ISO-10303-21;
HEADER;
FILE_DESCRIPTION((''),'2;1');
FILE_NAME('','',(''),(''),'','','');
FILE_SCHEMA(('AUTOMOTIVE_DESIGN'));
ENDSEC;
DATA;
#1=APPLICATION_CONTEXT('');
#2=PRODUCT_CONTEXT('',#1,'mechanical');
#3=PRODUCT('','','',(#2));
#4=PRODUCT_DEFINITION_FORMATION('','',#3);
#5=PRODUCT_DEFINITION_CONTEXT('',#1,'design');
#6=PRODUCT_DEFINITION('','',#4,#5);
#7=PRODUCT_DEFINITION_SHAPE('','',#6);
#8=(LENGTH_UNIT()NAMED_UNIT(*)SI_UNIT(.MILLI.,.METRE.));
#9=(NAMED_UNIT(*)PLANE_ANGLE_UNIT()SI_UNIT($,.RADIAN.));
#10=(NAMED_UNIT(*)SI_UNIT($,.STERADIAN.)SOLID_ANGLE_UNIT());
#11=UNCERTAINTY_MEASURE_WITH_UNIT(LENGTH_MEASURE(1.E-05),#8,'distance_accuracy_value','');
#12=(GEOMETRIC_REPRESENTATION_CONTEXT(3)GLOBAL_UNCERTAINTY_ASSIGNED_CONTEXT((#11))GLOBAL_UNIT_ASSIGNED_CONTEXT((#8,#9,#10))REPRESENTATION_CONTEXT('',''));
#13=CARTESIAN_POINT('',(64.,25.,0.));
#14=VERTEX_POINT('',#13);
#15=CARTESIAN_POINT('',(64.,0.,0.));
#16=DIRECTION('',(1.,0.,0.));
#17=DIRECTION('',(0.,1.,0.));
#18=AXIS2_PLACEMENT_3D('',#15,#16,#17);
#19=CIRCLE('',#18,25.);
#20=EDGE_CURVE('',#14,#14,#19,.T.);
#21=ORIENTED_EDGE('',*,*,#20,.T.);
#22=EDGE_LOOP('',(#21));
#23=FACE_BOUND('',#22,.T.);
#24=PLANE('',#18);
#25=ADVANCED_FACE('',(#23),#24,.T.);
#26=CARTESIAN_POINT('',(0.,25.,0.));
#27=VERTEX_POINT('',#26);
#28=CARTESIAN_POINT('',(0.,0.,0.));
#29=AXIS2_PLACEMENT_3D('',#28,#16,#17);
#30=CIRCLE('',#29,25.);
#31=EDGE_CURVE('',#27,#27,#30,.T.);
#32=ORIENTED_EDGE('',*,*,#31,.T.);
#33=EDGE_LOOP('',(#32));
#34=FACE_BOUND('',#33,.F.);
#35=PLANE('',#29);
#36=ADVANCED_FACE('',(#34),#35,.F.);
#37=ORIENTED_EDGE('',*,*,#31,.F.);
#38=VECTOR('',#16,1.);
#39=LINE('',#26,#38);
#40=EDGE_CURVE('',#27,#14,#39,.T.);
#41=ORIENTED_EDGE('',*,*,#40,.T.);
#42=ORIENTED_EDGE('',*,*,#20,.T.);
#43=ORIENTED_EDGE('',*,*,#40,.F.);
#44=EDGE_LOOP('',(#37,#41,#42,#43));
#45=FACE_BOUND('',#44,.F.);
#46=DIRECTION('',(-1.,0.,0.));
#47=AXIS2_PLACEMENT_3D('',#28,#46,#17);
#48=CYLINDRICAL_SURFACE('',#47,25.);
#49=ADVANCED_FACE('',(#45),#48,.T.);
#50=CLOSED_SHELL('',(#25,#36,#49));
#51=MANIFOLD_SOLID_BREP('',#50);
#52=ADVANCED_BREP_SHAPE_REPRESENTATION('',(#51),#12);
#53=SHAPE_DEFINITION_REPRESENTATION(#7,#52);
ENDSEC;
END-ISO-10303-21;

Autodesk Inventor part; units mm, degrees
ref_plane "YZ Plane" through (0, 0, 0) normal (1, 0, 0) x (0, 1, 0)
ref_plane "XZ Plane" through (0, 0, 0) normal (0, 1, 0) x (-1, 0, 0)
ref_plane "XY Plane" through (0, 0, 0) normal (0, 0, 1) x (1, 0, 0)
sketch "Sketch1" plane through (0, 0, 0) normal (1, 0, 0) x (0, 1, 0)
  circle A0 centre (0, 0) radius 25
  dimension "d0" = 50
extrude "Extrusion1" add sketch "Sketch1" along normal blind 64
properties part number "wheel" material "Rubber, Silicone"
